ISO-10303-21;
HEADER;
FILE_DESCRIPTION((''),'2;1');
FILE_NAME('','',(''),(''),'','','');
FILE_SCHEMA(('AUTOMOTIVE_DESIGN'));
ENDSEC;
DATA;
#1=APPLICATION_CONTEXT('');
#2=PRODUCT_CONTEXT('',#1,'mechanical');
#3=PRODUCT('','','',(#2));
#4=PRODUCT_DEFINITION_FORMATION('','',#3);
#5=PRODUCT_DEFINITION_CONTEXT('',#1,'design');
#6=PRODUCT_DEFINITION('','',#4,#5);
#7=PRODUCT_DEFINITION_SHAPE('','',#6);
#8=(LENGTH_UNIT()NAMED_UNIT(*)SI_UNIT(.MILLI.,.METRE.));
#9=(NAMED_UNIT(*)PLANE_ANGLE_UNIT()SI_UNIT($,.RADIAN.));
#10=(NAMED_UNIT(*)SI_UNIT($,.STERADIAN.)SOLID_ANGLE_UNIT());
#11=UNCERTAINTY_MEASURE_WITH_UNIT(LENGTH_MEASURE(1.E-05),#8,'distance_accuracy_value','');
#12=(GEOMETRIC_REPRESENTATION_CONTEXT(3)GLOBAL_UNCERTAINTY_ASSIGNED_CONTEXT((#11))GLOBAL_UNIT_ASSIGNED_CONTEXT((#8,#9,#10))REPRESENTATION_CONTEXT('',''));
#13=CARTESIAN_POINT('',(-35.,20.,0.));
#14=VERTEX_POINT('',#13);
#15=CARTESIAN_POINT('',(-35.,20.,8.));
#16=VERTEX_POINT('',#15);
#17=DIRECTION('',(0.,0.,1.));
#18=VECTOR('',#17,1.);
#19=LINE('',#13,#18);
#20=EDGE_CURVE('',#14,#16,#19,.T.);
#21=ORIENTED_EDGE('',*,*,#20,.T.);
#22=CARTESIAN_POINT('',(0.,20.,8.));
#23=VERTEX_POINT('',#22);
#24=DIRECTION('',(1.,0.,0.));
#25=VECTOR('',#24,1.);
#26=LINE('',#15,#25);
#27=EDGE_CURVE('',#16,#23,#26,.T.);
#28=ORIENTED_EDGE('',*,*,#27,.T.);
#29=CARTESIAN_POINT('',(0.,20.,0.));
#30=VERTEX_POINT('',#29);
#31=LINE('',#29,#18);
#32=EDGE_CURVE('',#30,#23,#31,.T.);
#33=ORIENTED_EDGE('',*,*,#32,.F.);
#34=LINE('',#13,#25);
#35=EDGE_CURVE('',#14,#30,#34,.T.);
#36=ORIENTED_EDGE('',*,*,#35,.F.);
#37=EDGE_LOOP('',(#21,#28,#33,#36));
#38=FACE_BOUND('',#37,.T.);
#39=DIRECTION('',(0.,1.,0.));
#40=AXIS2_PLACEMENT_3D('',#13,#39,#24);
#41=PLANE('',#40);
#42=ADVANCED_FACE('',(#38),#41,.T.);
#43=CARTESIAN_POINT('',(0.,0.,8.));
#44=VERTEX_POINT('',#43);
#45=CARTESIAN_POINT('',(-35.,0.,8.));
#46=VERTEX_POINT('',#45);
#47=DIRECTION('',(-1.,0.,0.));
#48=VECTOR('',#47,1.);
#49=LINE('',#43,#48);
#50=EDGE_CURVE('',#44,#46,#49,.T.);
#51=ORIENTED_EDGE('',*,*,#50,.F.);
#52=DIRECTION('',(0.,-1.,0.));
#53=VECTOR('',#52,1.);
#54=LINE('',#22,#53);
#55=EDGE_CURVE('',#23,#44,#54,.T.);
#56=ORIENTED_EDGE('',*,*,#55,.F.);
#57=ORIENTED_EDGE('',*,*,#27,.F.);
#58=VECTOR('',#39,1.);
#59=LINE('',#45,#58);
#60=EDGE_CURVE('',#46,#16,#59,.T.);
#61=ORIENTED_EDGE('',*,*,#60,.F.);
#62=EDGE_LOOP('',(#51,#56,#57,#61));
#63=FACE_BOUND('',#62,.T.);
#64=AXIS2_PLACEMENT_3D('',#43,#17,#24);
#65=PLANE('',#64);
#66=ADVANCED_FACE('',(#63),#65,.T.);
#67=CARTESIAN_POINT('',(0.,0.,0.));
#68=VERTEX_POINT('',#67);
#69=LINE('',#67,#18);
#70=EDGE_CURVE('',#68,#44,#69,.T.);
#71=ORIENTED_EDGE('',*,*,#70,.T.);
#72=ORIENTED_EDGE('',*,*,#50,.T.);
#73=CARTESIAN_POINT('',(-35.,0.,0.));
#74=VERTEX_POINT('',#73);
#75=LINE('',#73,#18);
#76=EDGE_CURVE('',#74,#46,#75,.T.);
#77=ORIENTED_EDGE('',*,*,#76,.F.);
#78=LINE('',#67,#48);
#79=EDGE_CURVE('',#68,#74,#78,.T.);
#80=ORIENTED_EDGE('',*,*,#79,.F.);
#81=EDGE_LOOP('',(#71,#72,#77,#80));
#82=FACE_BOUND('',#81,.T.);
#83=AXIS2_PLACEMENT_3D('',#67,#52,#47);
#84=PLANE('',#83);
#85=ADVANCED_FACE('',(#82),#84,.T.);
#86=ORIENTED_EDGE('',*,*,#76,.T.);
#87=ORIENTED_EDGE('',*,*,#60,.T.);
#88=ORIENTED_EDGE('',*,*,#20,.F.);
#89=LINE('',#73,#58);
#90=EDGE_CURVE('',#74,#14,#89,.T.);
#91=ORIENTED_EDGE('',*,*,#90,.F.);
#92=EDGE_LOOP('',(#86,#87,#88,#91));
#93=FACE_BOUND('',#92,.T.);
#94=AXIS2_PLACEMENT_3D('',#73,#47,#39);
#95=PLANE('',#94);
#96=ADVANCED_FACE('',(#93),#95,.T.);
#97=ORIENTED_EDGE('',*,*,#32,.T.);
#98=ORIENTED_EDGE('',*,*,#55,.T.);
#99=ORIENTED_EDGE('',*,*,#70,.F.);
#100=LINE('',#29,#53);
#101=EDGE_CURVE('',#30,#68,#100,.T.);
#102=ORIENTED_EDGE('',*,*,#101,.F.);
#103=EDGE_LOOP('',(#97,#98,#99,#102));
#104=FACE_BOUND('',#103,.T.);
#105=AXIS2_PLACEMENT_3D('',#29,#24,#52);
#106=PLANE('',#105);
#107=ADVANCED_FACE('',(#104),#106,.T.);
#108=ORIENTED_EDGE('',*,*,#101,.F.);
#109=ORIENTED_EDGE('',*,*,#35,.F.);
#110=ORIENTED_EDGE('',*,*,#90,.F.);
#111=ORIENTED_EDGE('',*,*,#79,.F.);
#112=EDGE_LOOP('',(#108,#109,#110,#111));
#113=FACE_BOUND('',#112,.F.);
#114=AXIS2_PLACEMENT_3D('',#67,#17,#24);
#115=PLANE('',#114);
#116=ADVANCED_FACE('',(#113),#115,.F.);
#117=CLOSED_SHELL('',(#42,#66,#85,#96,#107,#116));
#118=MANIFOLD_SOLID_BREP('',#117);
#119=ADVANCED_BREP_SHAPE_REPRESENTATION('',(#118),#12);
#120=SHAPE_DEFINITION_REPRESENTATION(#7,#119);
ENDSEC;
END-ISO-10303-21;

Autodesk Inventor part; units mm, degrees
ref_plane "YZ Plane" through (0, 0, 0) normal (1, 0, 0) x (0, 1, 0)
ref_plane "XZ Plane" through (0, 0, 0) normal (0, 1, 0) x (-1, 0, 0)
ref_plane "XY Plane" through (0, 0, 0) normal (0, 0, 1) x (1, 0, 0)
sketch "Sketch1" plane through (0, 0, 0) normal (0, 0, 1) x (1, 0, 0)
  line L0 (0, 0) -> (-35, 0)
  line L1 (-35, 0) -> (-35, 20)
  line L2 (-35, 20) -> (0, 20)
  line L3 (0, 20) -> (0, 0)
  dimension "d0" = 35
  dimension "d1" = 20
extrude "Extrusion1" add sketch "Sketch1" along normal blind 8
properties part number "802035 Battery" material "Aluminum 6061"
